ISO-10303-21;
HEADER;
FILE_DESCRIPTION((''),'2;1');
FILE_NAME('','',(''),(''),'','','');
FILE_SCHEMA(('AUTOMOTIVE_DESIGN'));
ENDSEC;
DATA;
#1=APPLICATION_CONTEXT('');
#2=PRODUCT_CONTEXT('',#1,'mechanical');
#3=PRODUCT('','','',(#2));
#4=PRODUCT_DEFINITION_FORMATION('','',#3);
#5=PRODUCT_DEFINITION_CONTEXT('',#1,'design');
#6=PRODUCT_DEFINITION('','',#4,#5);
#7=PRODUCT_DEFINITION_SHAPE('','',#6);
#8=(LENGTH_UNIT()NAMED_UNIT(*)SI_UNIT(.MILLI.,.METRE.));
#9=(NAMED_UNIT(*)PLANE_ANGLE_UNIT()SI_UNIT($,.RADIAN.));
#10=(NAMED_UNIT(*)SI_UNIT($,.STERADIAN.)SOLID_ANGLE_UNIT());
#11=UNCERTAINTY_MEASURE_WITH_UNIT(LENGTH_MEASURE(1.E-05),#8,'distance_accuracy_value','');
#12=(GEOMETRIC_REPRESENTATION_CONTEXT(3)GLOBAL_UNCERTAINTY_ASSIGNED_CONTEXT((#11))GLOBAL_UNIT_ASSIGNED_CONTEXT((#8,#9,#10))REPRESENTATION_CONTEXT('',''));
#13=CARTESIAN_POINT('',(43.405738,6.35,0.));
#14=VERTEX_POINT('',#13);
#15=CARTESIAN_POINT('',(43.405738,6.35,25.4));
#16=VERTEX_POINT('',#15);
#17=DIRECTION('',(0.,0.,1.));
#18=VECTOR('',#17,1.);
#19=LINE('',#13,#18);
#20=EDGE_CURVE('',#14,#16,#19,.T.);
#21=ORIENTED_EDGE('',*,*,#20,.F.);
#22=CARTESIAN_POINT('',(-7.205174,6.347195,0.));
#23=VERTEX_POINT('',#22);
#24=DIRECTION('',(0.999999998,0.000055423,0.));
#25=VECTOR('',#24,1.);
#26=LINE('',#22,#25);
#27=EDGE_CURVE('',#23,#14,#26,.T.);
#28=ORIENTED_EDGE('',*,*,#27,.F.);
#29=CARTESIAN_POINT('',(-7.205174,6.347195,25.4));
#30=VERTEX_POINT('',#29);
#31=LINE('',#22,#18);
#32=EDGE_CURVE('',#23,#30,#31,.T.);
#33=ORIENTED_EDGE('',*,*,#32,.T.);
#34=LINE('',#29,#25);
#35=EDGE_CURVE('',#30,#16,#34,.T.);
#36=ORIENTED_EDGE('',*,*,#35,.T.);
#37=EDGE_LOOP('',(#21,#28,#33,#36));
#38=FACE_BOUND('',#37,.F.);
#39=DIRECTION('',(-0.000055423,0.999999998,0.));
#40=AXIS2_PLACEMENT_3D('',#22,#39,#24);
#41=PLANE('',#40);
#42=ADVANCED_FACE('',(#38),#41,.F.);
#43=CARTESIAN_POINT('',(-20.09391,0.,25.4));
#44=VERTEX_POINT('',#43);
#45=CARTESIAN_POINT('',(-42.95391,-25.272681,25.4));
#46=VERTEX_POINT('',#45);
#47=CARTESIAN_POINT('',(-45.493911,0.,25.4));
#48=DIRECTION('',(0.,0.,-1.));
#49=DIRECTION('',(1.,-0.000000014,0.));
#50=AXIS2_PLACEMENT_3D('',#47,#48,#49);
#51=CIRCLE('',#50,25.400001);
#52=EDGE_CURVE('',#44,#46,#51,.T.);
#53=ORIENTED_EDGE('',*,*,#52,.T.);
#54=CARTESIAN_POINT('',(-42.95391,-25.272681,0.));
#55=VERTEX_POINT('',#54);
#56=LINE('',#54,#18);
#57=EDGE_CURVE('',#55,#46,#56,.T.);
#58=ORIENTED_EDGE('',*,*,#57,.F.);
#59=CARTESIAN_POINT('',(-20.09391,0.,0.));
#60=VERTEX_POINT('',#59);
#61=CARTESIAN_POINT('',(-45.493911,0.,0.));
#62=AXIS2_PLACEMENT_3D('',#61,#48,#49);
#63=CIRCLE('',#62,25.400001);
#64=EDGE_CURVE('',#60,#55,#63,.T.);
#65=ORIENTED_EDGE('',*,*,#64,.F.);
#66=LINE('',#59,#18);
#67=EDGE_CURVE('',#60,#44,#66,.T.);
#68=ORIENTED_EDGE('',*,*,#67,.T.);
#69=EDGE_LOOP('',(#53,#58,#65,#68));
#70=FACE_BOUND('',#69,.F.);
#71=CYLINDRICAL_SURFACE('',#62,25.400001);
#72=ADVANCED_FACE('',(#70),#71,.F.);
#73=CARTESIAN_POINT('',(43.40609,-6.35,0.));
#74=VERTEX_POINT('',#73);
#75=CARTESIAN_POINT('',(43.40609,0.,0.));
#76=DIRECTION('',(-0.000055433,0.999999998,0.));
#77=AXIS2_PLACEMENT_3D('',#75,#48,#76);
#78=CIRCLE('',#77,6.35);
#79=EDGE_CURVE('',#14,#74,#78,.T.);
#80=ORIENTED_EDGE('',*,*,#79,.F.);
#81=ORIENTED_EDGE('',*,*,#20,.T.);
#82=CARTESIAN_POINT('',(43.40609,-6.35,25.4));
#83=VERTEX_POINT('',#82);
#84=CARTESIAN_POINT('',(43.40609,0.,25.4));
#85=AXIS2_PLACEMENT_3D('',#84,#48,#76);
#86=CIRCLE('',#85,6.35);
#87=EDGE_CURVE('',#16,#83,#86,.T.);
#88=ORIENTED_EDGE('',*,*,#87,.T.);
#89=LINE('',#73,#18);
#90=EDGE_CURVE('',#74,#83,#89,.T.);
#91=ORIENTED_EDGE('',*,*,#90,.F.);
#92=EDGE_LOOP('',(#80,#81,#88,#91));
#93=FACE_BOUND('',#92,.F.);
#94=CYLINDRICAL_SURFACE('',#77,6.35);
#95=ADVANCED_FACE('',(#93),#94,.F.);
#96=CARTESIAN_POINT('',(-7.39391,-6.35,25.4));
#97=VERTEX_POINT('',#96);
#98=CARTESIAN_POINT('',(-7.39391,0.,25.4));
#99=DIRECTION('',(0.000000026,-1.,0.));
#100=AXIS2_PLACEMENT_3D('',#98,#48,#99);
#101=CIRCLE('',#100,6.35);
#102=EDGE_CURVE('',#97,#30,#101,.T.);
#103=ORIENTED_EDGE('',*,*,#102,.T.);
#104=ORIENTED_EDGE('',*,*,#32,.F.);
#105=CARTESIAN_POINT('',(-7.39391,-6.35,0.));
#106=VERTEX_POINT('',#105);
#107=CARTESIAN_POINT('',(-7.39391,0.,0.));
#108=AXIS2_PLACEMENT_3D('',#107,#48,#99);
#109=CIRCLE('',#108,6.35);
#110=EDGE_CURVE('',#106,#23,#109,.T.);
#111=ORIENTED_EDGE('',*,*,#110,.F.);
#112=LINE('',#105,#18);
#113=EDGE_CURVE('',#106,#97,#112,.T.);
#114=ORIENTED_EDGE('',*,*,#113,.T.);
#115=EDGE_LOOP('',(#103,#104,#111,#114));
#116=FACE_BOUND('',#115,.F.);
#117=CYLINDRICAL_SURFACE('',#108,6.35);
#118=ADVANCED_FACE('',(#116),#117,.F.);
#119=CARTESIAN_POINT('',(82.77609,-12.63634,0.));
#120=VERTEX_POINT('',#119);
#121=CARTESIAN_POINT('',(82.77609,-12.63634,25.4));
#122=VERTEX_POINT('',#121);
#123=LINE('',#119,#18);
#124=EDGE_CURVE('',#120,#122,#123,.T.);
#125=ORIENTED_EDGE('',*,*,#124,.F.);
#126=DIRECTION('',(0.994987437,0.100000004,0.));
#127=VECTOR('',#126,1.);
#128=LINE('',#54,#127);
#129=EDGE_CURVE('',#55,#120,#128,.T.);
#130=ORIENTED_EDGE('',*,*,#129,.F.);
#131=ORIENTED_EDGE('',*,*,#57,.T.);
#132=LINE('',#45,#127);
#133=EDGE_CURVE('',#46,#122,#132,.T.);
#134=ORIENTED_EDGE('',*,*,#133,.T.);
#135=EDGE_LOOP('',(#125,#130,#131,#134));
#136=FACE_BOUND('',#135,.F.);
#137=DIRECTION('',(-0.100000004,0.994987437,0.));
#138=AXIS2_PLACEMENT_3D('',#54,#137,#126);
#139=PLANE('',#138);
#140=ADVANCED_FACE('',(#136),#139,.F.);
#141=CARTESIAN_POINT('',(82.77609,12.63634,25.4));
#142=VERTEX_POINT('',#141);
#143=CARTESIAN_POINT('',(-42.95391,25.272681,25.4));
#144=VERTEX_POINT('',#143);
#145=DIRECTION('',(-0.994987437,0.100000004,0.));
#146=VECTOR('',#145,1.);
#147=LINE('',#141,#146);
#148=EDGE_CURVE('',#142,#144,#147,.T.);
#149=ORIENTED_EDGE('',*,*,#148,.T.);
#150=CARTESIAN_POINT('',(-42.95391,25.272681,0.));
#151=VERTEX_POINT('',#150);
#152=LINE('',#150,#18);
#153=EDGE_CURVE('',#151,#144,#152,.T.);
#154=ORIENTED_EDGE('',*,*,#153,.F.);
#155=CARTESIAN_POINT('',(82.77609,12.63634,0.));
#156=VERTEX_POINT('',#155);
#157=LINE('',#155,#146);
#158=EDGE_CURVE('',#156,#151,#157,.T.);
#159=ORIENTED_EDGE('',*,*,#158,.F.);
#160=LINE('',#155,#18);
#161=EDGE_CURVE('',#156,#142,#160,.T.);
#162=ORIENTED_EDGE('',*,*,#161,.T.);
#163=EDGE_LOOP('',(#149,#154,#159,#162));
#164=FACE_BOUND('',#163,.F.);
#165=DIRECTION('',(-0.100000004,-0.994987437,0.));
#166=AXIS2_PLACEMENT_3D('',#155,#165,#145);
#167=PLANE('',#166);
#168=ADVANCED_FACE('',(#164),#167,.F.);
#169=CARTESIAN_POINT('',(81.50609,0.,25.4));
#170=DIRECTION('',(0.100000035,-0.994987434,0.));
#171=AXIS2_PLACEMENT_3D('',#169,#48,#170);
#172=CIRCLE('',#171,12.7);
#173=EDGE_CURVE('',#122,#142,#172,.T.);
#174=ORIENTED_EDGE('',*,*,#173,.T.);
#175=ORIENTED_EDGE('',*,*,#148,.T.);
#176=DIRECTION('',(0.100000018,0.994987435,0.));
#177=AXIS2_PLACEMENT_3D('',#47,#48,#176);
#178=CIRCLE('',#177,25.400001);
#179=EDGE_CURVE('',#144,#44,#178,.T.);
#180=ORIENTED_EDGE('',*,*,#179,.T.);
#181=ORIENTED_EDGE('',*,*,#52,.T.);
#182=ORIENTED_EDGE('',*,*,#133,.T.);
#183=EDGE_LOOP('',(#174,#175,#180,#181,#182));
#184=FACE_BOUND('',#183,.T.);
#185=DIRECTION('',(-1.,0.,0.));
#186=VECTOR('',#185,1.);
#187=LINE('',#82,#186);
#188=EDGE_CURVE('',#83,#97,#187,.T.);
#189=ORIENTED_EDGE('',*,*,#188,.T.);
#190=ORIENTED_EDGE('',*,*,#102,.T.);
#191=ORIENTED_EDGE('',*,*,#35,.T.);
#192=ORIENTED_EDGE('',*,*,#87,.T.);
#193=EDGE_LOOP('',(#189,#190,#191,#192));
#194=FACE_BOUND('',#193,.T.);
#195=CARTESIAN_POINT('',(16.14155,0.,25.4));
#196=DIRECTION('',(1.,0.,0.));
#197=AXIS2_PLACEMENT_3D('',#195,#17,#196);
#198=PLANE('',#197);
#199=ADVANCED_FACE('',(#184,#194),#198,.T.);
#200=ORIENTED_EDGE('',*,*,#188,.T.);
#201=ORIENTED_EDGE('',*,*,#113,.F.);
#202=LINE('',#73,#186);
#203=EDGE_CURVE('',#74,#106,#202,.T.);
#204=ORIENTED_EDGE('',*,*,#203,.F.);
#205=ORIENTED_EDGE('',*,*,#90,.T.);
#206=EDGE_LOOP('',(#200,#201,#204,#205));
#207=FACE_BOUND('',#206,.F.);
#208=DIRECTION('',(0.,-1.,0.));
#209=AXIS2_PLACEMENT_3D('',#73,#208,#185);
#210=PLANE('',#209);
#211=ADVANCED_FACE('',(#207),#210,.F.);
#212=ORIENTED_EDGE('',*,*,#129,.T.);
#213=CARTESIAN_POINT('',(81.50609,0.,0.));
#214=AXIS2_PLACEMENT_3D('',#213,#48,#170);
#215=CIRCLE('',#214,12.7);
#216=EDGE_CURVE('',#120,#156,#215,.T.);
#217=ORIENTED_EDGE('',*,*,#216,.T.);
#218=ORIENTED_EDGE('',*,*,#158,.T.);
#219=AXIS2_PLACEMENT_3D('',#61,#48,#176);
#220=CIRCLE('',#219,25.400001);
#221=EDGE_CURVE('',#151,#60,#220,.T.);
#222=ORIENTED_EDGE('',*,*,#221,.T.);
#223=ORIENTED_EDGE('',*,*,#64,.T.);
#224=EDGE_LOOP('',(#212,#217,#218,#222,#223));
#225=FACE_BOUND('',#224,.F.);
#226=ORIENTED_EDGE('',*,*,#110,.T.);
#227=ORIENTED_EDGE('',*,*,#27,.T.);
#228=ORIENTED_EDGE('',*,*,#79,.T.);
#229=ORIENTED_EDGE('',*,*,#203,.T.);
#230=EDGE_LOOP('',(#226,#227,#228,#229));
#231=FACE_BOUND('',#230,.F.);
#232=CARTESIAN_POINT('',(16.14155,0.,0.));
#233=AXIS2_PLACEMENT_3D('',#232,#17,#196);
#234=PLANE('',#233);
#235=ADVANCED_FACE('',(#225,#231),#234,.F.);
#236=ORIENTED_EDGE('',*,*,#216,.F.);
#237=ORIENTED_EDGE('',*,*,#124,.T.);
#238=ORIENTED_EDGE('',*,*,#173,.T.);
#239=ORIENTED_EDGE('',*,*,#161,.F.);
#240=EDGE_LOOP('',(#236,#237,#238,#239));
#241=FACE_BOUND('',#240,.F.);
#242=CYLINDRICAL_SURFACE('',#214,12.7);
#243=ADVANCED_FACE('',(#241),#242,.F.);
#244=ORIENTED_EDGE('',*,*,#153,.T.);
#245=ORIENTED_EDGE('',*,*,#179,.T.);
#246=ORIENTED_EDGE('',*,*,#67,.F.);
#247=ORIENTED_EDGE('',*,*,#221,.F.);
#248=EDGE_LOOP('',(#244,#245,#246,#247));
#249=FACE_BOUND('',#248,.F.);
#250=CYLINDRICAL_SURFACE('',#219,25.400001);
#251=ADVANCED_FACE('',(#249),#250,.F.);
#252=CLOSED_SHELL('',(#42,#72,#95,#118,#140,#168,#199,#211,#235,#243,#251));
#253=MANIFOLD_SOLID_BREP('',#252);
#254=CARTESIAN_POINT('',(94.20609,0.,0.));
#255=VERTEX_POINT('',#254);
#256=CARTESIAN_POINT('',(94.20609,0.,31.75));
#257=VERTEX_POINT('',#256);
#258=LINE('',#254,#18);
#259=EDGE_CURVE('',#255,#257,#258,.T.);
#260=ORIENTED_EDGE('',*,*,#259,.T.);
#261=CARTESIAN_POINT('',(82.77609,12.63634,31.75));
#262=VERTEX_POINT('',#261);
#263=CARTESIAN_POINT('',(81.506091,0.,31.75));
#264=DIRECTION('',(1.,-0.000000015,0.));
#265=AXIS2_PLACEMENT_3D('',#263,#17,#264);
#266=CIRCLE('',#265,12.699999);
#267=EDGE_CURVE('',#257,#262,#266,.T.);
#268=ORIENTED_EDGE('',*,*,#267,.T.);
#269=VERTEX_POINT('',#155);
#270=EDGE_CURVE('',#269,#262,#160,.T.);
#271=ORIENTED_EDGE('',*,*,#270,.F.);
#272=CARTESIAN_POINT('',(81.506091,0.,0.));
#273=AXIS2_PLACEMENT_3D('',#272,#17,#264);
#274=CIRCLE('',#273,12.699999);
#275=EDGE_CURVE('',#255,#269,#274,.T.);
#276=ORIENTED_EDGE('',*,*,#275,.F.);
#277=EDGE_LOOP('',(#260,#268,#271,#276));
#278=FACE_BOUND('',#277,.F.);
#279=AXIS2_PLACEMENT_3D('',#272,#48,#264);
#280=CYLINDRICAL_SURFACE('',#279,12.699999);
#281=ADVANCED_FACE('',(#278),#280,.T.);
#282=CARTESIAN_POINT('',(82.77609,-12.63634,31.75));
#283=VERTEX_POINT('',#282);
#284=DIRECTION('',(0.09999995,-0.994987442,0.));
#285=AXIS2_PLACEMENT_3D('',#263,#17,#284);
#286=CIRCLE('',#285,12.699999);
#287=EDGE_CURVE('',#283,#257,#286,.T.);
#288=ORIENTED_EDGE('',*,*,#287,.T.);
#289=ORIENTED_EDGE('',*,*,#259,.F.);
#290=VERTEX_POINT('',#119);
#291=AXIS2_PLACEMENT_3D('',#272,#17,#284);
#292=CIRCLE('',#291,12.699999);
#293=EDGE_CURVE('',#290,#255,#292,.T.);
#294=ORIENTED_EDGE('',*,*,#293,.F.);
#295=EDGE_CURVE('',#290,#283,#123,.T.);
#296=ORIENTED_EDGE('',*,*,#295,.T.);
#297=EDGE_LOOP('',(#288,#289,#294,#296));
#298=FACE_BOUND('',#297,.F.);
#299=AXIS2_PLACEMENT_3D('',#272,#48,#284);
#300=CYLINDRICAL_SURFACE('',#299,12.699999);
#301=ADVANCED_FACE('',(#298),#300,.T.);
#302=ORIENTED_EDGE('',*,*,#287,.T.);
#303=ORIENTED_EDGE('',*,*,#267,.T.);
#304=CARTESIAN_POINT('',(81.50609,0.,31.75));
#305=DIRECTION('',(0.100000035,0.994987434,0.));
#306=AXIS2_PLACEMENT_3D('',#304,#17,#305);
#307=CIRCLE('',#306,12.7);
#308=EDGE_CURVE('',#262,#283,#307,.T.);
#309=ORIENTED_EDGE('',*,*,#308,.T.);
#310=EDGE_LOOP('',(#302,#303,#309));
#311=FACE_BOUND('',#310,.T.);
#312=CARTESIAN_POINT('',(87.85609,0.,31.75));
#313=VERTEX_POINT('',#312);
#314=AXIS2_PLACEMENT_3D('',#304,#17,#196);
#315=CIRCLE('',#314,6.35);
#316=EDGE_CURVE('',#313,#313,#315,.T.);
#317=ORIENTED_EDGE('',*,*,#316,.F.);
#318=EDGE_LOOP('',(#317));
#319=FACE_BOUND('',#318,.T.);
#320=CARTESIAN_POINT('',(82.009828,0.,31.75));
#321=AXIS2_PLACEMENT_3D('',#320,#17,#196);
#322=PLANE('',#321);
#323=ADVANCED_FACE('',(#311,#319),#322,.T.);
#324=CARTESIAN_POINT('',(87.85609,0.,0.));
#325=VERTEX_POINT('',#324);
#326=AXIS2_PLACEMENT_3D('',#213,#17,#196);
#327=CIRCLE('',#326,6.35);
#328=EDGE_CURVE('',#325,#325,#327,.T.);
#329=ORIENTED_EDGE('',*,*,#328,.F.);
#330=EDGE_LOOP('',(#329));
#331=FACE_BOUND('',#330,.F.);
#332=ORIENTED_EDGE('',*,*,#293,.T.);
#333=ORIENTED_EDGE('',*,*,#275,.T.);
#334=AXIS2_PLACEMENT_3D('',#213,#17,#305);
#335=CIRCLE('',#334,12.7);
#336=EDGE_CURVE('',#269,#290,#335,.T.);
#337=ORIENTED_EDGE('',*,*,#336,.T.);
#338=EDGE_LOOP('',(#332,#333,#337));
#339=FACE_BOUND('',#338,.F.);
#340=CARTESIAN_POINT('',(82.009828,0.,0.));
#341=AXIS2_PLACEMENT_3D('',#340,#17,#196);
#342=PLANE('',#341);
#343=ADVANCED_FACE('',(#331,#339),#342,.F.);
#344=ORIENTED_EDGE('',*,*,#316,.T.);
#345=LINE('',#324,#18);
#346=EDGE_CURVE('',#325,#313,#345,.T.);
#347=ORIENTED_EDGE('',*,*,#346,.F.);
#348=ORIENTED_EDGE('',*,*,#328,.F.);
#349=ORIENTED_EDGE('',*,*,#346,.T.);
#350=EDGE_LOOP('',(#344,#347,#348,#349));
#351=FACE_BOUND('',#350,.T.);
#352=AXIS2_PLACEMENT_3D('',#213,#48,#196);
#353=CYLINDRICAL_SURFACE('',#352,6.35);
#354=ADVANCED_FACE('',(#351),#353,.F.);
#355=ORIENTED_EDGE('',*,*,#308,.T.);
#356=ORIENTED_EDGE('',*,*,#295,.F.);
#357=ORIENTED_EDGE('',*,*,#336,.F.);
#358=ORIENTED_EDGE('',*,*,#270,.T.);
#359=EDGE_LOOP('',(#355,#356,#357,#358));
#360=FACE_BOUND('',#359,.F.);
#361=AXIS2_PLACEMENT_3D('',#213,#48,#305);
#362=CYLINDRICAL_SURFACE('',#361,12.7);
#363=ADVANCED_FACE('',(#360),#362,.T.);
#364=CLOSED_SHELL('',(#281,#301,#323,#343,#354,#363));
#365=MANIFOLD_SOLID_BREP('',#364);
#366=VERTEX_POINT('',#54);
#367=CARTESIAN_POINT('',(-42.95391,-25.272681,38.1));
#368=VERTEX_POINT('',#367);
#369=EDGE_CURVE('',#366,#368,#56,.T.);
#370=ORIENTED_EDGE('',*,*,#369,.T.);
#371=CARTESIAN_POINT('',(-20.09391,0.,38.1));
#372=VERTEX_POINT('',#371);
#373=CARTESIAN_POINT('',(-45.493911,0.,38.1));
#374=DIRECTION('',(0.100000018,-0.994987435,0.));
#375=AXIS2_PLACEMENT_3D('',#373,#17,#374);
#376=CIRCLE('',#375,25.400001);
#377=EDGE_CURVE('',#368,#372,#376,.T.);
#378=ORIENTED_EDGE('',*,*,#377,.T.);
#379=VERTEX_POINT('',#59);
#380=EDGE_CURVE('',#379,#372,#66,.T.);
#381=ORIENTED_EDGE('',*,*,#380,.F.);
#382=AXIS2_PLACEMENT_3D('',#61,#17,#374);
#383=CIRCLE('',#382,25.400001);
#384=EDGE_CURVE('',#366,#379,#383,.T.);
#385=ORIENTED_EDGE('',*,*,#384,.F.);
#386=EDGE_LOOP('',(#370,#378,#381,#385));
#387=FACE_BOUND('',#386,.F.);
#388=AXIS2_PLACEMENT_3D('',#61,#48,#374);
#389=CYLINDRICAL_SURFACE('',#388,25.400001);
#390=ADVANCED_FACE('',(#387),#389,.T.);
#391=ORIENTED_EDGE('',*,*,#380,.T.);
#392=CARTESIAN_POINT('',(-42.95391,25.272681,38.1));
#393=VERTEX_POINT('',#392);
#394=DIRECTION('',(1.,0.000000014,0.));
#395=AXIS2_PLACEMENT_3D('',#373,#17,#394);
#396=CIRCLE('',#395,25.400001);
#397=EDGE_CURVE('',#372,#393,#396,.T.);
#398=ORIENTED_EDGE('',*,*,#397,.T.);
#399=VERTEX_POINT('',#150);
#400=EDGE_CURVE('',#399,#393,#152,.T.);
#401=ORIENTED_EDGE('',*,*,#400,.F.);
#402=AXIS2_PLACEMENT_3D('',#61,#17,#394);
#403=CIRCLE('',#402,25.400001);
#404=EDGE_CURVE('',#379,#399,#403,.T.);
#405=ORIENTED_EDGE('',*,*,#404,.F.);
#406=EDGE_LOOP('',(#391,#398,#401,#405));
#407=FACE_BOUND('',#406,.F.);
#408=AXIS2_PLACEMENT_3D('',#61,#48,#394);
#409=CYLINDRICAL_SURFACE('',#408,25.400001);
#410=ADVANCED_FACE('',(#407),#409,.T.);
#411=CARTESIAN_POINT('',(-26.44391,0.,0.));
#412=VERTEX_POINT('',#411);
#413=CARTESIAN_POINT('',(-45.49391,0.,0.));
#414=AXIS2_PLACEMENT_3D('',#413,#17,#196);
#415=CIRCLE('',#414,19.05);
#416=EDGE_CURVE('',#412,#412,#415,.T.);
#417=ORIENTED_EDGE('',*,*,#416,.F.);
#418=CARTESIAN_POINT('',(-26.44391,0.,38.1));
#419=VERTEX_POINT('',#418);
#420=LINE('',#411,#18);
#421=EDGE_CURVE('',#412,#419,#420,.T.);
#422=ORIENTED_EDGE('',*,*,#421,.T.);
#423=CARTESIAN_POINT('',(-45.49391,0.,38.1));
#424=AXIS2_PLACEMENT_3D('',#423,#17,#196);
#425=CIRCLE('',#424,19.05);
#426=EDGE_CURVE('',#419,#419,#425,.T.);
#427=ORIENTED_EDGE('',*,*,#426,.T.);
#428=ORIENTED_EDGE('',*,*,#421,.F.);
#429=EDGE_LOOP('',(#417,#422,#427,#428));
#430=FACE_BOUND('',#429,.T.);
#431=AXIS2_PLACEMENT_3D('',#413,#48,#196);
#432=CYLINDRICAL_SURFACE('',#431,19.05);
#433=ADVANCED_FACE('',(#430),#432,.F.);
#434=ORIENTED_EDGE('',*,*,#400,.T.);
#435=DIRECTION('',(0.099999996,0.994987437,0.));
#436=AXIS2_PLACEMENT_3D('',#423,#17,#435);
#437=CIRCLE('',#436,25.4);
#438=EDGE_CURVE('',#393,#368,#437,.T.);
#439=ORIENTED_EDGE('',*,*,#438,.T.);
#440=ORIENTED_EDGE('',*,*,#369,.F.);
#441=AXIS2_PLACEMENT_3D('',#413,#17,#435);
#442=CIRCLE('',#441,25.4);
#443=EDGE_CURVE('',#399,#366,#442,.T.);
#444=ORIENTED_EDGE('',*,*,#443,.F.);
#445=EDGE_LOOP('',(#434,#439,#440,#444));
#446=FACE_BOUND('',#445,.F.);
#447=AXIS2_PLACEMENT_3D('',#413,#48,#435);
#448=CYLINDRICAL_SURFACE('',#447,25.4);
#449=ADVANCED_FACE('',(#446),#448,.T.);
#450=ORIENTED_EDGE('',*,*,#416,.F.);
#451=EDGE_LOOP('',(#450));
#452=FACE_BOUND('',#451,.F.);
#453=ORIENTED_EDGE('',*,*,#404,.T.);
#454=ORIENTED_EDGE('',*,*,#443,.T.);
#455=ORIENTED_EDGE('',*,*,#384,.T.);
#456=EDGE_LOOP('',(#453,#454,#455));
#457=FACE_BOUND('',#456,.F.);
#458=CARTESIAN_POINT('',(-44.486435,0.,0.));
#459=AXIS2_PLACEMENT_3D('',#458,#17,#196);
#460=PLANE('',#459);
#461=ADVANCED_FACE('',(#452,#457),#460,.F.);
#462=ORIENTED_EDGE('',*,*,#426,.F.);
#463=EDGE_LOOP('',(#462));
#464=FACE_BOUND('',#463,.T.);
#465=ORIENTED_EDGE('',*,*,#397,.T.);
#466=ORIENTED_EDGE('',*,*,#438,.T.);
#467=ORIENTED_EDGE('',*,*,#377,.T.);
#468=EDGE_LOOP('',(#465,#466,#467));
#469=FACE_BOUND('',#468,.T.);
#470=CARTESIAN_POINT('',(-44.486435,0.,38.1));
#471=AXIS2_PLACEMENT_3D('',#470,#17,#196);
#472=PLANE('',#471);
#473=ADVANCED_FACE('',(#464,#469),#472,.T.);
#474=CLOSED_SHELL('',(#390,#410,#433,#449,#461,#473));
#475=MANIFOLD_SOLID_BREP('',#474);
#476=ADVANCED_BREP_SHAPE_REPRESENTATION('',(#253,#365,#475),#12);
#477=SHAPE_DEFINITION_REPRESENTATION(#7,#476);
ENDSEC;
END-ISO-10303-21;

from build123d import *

# Parameters (mm, degrees)
F0_R     = 19.05
F1_DEPTH = 38.1
F0_R_2   = 6.35
F2_DEPTH = 31.75
F3_DEPTH = 25.4


with BuildPart() as f1:
    # F0 (on Top) → F1 (new body)
    with BuildSketch(Plane.XY):
        with BuildLine():
            ThreePointArc((-42.95391, -25.272681), (-26.656766, -17.038838), (-20.09391, 0))
            ThreePointArc((-20.09391, 0), (-26.656766, 17.038838), (-42.95391, 25.272681))
            ThreePointArc((-42.95391, 25.272681), (-70.89391, 0), (-42.95391, -25.272681))
        make_face()
        with Locations((-45.49391, 0)):
            Circle(F0_R, mode=Mode.SUBTRACT)
    extrude(amount=F1_DEPTH)


with BuildPart() as f2:
    # F0 (on Top) → F2 (new body)
    with BuildSketch(Plane.XY):
        with BuildLine():
            ThreePointArc((94.20609, 0), (90.924662, 8.519419), (82.77609, 12.63634))
            ThreePointArc((82.77609, 12.63634), (68.80609, 0), (82.77609, -12.63634))
            ThreePointArc((82.77609, -12.63634), (90.924662, -8.519419), (94.20609, 0))
        make_face()
        with Locations((81.50609, 0)):
            Circle(F0_R_2, mode=Mode.SUBTRACT)
    extrude(amount=F2_DEPTH)


with BuildPart() as f3:
    # F0 (on Top) → F3 (new body)
    with BuildSketch(Plane.XY):
        with BuildLine():
            ThreePointArc((-42.95391, 25.272681), (-26.656766, 17.038838), (-20.09391, 0))
            ThreePointArc((-20.09391, 0), (-26.656766, -17.038838), (-42.95391, -25.272681))
            Line((-42.95391, -25.272681), (82.77609, -12.63634))
            ThreePointArc((82.77609, -12.63634), (68.80609, 0), (82.77609, 12.63634))
            Line((82.77609, 12.63634), (-42.95391, 25.272681))
        make_face()
        with BuildLine():
            ThreePointArc((-7.39391, -6.35), (-13.743209, 0.094378), (-7.205174, 6.347195))
            Line((-7.205174, 6.347195), (43.405738, 6.35))
            ThreePointArc((43.405738, 6.35), (49.75609, 0.000176), (43.40609, -6.35))
            Line((43.40609, -6.35), (-7.39391, -6.35))
        make_face(mode=Mode.SUBTRACT)
    extrude(amount=F3_DEPTH)


solid = Compound([f1.part, f2.part, f3.part])
